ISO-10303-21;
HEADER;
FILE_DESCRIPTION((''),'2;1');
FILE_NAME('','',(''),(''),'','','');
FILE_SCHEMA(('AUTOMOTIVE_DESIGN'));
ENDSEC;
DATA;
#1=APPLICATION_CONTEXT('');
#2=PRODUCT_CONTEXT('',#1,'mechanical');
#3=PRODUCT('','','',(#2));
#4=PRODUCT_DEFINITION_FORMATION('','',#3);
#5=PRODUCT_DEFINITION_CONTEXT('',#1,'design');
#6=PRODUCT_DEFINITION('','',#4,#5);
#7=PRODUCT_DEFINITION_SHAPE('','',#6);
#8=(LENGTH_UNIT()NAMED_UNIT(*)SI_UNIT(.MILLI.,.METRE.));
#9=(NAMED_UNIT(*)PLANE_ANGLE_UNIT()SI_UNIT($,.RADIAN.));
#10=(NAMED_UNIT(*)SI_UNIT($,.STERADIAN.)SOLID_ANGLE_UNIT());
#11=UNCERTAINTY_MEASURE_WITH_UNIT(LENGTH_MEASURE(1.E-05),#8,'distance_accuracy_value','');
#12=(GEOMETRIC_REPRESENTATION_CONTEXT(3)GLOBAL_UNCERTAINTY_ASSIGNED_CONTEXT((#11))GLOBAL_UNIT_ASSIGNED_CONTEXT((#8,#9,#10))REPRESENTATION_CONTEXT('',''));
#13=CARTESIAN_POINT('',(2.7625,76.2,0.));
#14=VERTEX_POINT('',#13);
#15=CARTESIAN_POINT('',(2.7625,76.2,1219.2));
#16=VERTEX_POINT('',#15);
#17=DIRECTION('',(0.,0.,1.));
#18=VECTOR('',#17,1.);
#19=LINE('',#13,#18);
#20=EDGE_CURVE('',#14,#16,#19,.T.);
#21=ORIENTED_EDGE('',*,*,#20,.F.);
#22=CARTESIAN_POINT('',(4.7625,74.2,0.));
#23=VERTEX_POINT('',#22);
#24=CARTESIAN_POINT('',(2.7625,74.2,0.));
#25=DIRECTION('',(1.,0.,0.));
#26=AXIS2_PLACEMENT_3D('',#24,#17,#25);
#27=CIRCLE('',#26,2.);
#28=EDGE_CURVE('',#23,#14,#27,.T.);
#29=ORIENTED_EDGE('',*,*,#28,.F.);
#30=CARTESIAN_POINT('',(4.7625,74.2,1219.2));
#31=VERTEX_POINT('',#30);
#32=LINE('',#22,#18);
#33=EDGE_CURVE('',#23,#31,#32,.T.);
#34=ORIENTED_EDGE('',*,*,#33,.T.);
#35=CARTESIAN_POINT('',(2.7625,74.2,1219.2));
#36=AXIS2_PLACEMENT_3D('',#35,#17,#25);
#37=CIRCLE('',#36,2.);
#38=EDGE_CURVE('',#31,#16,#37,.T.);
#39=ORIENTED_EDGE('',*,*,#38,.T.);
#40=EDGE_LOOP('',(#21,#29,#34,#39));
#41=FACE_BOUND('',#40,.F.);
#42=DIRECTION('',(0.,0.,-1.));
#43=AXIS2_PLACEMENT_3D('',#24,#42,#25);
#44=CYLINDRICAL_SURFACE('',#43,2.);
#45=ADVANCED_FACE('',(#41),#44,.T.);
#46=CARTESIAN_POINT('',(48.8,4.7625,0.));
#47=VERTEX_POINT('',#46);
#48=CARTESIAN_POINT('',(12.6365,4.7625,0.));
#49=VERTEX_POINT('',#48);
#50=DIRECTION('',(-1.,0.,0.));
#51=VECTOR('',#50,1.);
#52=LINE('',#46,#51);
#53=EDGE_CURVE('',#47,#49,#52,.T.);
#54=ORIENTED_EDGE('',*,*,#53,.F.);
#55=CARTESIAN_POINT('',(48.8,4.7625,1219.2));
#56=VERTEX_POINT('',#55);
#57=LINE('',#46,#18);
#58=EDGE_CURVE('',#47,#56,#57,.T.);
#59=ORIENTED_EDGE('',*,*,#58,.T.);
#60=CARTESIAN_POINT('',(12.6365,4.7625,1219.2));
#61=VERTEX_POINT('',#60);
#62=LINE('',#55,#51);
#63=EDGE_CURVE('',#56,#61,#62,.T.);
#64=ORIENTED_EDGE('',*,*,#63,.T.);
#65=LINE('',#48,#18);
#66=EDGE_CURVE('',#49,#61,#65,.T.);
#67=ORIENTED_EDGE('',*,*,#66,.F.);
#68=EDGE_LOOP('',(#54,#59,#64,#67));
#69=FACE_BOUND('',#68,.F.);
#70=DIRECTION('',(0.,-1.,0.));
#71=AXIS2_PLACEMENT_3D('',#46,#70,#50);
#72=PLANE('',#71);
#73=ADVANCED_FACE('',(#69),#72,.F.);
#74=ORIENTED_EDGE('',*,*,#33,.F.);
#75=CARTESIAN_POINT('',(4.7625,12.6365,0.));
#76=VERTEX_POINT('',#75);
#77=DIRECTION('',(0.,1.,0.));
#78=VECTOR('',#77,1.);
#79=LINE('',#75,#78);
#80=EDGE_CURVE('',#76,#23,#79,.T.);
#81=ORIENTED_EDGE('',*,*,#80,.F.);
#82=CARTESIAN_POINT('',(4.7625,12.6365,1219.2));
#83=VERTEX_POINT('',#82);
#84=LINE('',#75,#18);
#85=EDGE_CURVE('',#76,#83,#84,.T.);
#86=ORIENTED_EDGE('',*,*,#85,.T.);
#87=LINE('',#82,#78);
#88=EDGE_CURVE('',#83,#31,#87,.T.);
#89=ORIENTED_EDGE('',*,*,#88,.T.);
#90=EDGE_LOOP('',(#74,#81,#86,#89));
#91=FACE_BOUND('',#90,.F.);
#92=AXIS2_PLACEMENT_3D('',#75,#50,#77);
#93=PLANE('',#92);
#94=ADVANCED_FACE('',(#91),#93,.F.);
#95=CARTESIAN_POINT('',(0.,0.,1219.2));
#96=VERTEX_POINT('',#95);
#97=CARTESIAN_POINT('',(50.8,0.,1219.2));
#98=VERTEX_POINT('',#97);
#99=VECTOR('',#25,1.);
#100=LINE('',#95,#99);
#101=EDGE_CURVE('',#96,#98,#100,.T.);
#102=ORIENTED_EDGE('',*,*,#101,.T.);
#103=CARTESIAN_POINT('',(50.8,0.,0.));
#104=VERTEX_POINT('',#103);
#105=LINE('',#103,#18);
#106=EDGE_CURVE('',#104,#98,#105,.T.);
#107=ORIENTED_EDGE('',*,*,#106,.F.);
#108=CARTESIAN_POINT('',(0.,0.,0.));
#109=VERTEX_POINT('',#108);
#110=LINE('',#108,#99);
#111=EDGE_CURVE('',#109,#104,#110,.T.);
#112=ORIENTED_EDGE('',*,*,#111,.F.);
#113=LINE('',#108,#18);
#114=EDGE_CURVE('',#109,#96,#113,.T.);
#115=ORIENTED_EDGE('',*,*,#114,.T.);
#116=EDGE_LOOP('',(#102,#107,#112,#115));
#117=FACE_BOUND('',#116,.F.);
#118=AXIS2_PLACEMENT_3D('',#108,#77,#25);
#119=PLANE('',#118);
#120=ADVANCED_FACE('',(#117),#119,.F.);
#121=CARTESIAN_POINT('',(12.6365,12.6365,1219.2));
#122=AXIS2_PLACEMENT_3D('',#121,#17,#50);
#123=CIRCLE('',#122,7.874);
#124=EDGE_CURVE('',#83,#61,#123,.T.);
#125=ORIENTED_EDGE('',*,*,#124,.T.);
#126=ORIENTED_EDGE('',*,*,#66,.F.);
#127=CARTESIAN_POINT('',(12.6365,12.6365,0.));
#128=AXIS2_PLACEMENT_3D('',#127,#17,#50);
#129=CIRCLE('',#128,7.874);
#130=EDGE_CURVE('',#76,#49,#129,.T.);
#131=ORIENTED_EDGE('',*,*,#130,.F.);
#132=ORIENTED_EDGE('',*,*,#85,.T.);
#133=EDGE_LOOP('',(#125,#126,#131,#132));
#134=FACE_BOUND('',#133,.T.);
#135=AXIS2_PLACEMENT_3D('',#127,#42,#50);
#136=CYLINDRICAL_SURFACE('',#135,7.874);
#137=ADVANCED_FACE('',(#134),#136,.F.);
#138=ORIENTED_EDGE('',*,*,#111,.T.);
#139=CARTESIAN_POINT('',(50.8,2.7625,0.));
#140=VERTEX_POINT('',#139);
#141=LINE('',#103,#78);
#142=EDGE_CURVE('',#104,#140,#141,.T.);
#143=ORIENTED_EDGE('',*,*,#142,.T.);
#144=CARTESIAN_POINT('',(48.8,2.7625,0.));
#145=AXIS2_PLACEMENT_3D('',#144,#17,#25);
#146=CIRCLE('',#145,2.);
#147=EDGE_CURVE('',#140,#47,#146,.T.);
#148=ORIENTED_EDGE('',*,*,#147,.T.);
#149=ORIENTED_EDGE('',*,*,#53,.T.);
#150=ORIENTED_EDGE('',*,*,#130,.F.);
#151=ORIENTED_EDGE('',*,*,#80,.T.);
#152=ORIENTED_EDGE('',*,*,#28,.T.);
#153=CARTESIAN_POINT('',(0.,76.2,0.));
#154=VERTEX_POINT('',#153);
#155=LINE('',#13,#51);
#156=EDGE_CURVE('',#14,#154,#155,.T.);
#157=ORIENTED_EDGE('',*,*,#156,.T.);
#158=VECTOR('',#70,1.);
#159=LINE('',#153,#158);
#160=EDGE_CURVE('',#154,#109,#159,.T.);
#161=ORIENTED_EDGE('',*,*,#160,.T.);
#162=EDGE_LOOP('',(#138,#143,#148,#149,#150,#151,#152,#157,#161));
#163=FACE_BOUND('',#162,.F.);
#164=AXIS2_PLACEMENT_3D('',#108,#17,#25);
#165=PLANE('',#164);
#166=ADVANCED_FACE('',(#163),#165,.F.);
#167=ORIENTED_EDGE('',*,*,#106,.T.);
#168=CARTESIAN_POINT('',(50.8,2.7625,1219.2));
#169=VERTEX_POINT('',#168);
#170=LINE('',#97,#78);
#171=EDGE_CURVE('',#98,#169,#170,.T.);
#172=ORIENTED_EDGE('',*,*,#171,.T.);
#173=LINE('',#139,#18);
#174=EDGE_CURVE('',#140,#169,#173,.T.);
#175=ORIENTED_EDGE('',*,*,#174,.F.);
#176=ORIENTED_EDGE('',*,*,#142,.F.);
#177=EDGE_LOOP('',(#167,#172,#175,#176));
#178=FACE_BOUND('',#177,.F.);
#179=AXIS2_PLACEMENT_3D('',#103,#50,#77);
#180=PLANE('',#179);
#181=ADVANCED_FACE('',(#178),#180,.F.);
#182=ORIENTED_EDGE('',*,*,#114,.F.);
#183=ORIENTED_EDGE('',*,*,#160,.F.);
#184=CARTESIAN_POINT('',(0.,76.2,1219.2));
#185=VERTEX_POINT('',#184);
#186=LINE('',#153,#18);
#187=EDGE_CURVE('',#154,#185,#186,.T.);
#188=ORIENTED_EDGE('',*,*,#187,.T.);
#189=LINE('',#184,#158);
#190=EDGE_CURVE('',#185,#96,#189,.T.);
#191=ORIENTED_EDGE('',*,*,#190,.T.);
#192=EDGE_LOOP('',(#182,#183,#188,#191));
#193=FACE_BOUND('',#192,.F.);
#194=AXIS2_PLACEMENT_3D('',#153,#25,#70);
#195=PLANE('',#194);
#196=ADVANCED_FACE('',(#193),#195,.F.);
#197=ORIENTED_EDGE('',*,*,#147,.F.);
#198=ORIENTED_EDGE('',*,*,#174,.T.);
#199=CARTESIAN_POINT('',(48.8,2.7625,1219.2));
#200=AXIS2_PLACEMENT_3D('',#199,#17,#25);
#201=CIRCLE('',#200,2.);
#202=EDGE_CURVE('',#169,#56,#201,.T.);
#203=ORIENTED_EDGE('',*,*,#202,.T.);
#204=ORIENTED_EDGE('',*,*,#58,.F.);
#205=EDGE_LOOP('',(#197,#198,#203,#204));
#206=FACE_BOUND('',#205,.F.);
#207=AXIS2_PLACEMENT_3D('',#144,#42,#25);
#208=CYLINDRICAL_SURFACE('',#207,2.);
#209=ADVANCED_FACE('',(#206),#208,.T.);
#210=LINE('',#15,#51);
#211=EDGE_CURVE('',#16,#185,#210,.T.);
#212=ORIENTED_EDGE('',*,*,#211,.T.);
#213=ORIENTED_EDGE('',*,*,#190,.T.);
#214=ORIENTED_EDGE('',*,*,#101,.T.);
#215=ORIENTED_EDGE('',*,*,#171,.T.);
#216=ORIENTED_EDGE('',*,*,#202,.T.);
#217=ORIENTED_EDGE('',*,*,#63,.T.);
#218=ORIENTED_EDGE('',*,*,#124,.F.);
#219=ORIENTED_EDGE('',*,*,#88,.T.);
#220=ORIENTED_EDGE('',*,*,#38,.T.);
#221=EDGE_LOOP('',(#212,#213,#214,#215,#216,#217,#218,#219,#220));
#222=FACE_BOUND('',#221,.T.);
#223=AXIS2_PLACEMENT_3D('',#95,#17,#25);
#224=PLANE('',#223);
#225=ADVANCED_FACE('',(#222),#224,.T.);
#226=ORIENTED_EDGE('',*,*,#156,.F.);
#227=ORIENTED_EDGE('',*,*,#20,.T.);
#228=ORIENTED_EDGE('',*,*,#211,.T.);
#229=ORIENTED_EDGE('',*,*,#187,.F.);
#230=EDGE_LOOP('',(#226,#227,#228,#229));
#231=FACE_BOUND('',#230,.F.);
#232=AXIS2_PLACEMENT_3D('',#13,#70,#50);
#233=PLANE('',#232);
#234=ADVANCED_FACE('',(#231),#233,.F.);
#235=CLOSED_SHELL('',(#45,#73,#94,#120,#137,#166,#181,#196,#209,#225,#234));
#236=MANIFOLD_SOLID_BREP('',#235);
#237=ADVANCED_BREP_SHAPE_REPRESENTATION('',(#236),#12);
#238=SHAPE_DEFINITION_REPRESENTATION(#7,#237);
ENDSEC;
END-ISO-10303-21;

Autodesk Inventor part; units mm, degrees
ref_plane "YZ Plane" through (0, 0, 0) normal (1, 0, 0) x (0, 1, 0)
ref_plane "Start plane" through (0, 0, 0) normal (0, 0, 1) x (1, 0, 0)
ref_plane "End plane" through (0, 0, 1219.2) normal (0, 0, 1) x (1, 0, 0)
sketch "Sketch" plane through (0, 0, 0) normal (0, 0, 1) x (1, 0, 0)
  line L0 (0, 76.2) -> (0, 0)
  line L1 (0, 0) -> (50.8, 0)
  line L2 (50.8, 0) -> (50.8, 2.7625)
  line L3 (48.8, 4.7625) -> (12.6365, 4.7625)
  line L4 (4.7625, 12.6365) -> (4.7625, 74.2)
  line L5 (2.7625, 76.2) -> (0, 76.2)
  line L6 (-7.0414, 0) -> (21.5385, 0) construction
  line L7 (0, -8.0414) -> (0, 34.5385) construction
  arc A0 (4.7625, 12.6365) -> (12.6365, 4.7625) centre (12.6365, 12.6365) ccw
  arc A1 (50.8, 2.7625) -> (48.8, 4.7625) centre (48.8, 2.7625) ccw
  arc A2 (4.7625, 74.2) -> (2.7625, 76.2) centre (2.7625, 74.2) ccw
  line L8 (0, 93.5453) -> (0, -24.9725) construction
  line L9 (-18.6925, 0) -> (62.8653, 0) construction
  point P0 (50.8, 4.7625)
  point P1 (4.7625, 4.7625)
  point P2 (4.7625, 76.2)
  dimension "d12" = 4.7625
  dimension "d13" = 76.2
  dimension "d14" = 50.8
  dimension "d15" = 0
  dimension "d16" = 4.7625
  dimension "d17" = 0
  dimension "d18" = 7.874
  dimension "d19" = 2
extrude "Body" add sketch "Sketch" along normal up to surface (1219.2 mm away) from surface at 0
equation "\"d12\" = G_T"
equation "\"d13\" = G_H"
equation "\"d14\" = G_W"
equation "\"d16\" = G_T"
equation "\"d18\" = G_IR"
equation "\"d4\" = G_L"
equation "\"G_W\" = 50.8"
equation "\"G_H\" = 76.2"
equation "\"G_T\" = 4.7625"
equation "\"G_ER\" = 4.064"
equation "\"G_IR\" = 7.874"
equation "\"G_L\" = B_L + G_OFFSET_START + G_OFFSET_END"
equation "\"ex\" = 0"
equation "\"ey\" = 0"
equation "\"G_OFFSET_START\" = 0"
equation "\"G_OFFSET_END\" = 0"
equation "\"d21\" = G_OFFSET_END + B_L"
equation "\"B_L\" = 1219.2"
properties part number "ANSI L 3 x 2 x 3_16 00000010"
